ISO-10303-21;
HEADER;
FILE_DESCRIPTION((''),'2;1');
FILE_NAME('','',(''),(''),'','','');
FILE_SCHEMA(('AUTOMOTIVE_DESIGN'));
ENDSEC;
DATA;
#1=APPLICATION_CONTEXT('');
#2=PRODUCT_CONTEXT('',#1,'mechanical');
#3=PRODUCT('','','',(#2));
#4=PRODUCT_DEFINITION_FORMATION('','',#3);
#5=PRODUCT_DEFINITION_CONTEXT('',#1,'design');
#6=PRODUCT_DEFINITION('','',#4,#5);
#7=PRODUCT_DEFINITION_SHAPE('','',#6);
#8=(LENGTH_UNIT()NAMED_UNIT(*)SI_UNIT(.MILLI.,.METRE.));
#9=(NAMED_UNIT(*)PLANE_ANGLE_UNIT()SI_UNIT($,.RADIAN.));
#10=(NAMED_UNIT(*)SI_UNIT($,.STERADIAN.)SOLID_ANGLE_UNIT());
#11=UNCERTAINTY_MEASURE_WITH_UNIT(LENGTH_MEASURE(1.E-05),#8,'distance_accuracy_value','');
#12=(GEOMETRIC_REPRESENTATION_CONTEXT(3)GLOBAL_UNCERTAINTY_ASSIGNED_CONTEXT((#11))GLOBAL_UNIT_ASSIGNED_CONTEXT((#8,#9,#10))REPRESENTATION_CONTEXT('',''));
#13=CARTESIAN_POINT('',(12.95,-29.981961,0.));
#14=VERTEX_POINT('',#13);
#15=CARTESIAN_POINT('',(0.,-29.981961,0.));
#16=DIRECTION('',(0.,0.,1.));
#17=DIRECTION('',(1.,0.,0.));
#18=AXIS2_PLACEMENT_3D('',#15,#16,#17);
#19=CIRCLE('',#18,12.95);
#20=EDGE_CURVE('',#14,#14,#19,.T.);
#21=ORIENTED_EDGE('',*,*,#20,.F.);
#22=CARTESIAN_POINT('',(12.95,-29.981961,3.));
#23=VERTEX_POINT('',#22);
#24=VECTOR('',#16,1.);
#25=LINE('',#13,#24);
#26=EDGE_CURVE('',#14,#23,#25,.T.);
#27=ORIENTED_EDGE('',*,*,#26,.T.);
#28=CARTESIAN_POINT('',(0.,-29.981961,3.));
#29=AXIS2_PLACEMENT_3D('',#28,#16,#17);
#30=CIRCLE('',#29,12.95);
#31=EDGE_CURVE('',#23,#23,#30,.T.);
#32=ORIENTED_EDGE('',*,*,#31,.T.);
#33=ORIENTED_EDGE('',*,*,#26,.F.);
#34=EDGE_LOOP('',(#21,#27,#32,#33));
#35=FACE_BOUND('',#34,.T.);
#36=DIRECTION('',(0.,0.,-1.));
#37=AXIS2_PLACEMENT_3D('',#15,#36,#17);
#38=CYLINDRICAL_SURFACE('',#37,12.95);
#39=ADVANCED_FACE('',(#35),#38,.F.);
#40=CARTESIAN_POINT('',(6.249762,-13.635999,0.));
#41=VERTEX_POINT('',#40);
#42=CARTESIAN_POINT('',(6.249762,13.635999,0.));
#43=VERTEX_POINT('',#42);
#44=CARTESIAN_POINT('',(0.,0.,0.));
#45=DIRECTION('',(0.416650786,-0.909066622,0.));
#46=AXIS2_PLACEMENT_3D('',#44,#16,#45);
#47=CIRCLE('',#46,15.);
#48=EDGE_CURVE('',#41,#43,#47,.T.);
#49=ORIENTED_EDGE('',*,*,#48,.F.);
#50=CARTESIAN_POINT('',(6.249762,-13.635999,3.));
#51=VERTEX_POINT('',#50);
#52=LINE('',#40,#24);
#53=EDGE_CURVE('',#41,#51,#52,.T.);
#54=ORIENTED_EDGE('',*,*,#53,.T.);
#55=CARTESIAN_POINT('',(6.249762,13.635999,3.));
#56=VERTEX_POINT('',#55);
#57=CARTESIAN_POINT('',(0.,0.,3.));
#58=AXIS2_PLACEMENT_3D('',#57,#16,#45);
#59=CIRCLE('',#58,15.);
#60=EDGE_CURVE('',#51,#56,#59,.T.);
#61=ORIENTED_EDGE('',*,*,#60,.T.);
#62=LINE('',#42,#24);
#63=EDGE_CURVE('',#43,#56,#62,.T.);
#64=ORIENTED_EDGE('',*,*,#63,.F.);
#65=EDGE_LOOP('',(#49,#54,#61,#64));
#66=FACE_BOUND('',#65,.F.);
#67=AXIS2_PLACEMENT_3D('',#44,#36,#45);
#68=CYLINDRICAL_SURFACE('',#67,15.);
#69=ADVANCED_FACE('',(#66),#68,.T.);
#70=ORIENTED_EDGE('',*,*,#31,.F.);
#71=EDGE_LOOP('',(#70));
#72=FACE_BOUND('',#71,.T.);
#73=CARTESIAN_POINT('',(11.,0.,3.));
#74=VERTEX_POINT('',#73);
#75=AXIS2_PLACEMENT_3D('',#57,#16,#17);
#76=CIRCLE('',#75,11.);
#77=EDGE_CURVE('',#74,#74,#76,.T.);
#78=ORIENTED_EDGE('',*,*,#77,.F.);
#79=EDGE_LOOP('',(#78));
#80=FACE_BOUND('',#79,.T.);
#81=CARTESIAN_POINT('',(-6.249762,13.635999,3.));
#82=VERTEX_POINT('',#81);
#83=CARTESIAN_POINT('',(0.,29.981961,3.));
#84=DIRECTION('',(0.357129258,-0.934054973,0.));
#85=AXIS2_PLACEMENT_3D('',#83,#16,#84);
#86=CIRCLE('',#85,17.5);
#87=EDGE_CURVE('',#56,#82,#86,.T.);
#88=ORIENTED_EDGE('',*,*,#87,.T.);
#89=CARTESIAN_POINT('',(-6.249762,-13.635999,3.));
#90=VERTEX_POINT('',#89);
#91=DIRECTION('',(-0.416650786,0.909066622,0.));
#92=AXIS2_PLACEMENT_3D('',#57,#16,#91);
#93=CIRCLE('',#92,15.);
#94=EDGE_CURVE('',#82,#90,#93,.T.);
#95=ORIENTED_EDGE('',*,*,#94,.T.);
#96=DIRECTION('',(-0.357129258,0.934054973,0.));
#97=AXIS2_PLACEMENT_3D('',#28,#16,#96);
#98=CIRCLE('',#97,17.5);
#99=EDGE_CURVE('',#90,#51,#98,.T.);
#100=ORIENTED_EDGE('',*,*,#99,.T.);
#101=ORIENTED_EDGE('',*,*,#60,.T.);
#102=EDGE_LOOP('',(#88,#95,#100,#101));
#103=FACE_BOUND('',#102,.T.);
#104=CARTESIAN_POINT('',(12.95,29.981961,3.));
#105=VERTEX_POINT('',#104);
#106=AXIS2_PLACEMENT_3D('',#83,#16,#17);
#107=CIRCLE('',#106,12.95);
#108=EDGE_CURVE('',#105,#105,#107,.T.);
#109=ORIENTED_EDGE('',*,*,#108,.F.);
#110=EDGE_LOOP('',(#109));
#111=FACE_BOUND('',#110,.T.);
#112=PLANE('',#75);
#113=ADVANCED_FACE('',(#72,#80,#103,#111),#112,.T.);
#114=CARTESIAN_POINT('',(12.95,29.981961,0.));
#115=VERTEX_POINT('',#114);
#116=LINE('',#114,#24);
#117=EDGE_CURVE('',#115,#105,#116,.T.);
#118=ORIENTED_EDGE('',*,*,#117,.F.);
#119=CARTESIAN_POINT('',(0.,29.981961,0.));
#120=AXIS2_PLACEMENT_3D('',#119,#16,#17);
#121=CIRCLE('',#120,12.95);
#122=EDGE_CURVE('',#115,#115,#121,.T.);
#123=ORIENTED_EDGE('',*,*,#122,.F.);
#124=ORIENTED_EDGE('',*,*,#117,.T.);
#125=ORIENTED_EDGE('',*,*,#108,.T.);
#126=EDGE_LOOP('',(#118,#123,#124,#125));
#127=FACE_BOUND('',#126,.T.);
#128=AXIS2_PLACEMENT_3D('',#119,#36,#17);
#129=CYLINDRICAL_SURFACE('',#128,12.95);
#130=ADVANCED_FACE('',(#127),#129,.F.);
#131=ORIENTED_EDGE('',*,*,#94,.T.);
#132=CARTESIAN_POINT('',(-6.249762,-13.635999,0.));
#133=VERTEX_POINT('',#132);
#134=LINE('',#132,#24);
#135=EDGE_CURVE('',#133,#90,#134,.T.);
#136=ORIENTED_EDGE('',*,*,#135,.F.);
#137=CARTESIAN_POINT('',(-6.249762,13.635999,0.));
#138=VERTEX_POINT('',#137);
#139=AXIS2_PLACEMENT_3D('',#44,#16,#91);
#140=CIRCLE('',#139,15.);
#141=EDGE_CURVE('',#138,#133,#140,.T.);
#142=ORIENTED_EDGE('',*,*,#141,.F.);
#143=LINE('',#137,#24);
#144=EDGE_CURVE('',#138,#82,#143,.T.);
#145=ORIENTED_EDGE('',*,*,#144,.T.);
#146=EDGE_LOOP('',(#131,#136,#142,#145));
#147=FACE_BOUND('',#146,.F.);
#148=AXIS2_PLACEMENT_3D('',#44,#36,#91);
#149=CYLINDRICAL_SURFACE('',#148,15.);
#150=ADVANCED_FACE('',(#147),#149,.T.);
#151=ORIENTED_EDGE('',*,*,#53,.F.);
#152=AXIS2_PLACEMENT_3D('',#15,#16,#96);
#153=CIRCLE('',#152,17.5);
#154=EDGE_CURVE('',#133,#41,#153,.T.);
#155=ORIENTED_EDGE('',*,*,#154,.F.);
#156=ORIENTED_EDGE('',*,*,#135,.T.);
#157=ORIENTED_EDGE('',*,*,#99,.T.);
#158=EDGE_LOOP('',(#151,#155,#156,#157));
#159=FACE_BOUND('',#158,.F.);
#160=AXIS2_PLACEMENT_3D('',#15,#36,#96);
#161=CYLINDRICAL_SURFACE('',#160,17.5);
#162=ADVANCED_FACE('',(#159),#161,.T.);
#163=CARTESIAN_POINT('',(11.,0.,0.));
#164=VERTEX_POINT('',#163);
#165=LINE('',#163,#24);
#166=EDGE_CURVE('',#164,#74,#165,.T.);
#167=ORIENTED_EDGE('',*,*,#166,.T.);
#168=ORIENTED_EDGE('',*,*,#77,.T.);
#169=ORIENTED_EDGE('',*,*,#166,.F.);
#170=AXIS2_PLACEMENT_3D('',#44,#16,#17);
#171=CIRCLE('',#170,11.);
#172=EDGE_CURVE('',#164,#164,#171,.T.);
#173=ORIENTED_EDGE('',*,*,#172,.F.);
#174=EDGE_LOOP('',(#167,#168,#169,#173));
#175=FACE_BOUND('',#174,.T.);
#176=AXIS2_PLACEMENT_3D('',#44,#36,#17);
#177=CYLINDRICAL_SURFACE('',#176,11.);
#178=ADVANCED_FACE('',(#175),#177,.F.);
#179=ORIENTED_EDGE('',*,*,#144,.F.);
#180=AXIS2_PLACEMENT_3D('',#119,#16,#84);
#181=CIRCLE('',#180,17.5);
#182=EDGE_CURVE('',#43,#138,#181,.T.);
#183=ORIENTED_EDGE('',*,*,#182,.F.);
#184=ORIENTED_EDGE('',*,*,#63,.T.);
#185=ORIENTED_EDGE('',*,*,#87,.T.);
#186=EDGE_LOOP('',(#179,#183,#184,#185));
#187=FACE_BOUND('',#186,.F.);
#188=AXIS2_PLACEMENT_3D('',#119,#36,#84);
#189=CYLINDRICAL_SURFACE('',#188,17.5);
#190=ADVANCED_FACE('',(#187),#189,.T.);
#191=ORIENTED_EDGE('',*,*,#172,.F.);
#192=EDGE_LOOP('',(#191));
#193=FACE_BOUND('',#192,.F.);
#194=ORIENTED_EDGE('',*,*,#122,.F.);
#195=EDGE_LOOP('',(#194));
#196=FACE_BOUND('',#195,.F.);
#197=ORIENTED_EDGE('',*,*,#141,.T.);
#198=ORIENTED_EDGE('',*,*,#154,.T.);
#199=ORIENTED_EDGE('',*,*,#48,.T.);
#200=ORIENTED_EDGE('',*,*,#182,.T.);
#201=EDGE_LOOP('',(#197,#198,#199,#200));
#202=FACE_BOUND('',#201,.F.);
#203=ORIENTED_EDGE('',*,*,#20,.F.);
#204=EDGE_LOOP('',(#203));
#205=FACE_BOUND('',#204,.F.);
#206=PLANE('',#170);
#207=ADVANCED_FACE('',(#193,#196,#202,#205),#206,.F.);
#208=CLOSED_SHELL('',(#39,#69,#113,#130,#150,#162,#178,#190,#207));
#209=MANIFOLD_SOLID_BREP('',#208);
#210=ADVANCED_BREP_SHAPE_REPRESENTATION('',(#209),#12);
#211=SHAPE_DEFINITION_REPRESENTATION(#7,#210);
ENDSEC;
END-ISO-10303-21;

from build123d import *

# Parameters (mm, degrees)
F0_R     = 12.95
F0_R_2   = 11
F1_DEPTH = 3


with BuildPart() as f1:
    # F0 (on Top) → F1 (new body)
    with BuildSketch(Plane.XY):
        with BuildLine():
            ThreePointArc((6.249762, 13.635999), (0, 47.481961), (-6.249762, 13.635999))
            ThreePointArc((-6.249762, 13.635999), (-15, 0), (-6.249762, -13.635999))
            ThreePointArc((-6.249762, -13.635999), (0, -47.481961), (6.249762, -13.635999))
            ThreePointArc((6.249762, -13.635999), (15, 0), (6.249762, 13.635999))
        make_face()
        with Locations((0, -29.981961)):
            Circle(F0_R, mode=Mode.SUBTRACT)
        Circle(F0_R_2, mode=Mode.SUBTRACT)
        with Locations((0, 29.981961)):
            Circle(F0_R, mode=Mode.SUBTRACT)
    extrude(amount=F1_DEPTH)


solid = f1.part
